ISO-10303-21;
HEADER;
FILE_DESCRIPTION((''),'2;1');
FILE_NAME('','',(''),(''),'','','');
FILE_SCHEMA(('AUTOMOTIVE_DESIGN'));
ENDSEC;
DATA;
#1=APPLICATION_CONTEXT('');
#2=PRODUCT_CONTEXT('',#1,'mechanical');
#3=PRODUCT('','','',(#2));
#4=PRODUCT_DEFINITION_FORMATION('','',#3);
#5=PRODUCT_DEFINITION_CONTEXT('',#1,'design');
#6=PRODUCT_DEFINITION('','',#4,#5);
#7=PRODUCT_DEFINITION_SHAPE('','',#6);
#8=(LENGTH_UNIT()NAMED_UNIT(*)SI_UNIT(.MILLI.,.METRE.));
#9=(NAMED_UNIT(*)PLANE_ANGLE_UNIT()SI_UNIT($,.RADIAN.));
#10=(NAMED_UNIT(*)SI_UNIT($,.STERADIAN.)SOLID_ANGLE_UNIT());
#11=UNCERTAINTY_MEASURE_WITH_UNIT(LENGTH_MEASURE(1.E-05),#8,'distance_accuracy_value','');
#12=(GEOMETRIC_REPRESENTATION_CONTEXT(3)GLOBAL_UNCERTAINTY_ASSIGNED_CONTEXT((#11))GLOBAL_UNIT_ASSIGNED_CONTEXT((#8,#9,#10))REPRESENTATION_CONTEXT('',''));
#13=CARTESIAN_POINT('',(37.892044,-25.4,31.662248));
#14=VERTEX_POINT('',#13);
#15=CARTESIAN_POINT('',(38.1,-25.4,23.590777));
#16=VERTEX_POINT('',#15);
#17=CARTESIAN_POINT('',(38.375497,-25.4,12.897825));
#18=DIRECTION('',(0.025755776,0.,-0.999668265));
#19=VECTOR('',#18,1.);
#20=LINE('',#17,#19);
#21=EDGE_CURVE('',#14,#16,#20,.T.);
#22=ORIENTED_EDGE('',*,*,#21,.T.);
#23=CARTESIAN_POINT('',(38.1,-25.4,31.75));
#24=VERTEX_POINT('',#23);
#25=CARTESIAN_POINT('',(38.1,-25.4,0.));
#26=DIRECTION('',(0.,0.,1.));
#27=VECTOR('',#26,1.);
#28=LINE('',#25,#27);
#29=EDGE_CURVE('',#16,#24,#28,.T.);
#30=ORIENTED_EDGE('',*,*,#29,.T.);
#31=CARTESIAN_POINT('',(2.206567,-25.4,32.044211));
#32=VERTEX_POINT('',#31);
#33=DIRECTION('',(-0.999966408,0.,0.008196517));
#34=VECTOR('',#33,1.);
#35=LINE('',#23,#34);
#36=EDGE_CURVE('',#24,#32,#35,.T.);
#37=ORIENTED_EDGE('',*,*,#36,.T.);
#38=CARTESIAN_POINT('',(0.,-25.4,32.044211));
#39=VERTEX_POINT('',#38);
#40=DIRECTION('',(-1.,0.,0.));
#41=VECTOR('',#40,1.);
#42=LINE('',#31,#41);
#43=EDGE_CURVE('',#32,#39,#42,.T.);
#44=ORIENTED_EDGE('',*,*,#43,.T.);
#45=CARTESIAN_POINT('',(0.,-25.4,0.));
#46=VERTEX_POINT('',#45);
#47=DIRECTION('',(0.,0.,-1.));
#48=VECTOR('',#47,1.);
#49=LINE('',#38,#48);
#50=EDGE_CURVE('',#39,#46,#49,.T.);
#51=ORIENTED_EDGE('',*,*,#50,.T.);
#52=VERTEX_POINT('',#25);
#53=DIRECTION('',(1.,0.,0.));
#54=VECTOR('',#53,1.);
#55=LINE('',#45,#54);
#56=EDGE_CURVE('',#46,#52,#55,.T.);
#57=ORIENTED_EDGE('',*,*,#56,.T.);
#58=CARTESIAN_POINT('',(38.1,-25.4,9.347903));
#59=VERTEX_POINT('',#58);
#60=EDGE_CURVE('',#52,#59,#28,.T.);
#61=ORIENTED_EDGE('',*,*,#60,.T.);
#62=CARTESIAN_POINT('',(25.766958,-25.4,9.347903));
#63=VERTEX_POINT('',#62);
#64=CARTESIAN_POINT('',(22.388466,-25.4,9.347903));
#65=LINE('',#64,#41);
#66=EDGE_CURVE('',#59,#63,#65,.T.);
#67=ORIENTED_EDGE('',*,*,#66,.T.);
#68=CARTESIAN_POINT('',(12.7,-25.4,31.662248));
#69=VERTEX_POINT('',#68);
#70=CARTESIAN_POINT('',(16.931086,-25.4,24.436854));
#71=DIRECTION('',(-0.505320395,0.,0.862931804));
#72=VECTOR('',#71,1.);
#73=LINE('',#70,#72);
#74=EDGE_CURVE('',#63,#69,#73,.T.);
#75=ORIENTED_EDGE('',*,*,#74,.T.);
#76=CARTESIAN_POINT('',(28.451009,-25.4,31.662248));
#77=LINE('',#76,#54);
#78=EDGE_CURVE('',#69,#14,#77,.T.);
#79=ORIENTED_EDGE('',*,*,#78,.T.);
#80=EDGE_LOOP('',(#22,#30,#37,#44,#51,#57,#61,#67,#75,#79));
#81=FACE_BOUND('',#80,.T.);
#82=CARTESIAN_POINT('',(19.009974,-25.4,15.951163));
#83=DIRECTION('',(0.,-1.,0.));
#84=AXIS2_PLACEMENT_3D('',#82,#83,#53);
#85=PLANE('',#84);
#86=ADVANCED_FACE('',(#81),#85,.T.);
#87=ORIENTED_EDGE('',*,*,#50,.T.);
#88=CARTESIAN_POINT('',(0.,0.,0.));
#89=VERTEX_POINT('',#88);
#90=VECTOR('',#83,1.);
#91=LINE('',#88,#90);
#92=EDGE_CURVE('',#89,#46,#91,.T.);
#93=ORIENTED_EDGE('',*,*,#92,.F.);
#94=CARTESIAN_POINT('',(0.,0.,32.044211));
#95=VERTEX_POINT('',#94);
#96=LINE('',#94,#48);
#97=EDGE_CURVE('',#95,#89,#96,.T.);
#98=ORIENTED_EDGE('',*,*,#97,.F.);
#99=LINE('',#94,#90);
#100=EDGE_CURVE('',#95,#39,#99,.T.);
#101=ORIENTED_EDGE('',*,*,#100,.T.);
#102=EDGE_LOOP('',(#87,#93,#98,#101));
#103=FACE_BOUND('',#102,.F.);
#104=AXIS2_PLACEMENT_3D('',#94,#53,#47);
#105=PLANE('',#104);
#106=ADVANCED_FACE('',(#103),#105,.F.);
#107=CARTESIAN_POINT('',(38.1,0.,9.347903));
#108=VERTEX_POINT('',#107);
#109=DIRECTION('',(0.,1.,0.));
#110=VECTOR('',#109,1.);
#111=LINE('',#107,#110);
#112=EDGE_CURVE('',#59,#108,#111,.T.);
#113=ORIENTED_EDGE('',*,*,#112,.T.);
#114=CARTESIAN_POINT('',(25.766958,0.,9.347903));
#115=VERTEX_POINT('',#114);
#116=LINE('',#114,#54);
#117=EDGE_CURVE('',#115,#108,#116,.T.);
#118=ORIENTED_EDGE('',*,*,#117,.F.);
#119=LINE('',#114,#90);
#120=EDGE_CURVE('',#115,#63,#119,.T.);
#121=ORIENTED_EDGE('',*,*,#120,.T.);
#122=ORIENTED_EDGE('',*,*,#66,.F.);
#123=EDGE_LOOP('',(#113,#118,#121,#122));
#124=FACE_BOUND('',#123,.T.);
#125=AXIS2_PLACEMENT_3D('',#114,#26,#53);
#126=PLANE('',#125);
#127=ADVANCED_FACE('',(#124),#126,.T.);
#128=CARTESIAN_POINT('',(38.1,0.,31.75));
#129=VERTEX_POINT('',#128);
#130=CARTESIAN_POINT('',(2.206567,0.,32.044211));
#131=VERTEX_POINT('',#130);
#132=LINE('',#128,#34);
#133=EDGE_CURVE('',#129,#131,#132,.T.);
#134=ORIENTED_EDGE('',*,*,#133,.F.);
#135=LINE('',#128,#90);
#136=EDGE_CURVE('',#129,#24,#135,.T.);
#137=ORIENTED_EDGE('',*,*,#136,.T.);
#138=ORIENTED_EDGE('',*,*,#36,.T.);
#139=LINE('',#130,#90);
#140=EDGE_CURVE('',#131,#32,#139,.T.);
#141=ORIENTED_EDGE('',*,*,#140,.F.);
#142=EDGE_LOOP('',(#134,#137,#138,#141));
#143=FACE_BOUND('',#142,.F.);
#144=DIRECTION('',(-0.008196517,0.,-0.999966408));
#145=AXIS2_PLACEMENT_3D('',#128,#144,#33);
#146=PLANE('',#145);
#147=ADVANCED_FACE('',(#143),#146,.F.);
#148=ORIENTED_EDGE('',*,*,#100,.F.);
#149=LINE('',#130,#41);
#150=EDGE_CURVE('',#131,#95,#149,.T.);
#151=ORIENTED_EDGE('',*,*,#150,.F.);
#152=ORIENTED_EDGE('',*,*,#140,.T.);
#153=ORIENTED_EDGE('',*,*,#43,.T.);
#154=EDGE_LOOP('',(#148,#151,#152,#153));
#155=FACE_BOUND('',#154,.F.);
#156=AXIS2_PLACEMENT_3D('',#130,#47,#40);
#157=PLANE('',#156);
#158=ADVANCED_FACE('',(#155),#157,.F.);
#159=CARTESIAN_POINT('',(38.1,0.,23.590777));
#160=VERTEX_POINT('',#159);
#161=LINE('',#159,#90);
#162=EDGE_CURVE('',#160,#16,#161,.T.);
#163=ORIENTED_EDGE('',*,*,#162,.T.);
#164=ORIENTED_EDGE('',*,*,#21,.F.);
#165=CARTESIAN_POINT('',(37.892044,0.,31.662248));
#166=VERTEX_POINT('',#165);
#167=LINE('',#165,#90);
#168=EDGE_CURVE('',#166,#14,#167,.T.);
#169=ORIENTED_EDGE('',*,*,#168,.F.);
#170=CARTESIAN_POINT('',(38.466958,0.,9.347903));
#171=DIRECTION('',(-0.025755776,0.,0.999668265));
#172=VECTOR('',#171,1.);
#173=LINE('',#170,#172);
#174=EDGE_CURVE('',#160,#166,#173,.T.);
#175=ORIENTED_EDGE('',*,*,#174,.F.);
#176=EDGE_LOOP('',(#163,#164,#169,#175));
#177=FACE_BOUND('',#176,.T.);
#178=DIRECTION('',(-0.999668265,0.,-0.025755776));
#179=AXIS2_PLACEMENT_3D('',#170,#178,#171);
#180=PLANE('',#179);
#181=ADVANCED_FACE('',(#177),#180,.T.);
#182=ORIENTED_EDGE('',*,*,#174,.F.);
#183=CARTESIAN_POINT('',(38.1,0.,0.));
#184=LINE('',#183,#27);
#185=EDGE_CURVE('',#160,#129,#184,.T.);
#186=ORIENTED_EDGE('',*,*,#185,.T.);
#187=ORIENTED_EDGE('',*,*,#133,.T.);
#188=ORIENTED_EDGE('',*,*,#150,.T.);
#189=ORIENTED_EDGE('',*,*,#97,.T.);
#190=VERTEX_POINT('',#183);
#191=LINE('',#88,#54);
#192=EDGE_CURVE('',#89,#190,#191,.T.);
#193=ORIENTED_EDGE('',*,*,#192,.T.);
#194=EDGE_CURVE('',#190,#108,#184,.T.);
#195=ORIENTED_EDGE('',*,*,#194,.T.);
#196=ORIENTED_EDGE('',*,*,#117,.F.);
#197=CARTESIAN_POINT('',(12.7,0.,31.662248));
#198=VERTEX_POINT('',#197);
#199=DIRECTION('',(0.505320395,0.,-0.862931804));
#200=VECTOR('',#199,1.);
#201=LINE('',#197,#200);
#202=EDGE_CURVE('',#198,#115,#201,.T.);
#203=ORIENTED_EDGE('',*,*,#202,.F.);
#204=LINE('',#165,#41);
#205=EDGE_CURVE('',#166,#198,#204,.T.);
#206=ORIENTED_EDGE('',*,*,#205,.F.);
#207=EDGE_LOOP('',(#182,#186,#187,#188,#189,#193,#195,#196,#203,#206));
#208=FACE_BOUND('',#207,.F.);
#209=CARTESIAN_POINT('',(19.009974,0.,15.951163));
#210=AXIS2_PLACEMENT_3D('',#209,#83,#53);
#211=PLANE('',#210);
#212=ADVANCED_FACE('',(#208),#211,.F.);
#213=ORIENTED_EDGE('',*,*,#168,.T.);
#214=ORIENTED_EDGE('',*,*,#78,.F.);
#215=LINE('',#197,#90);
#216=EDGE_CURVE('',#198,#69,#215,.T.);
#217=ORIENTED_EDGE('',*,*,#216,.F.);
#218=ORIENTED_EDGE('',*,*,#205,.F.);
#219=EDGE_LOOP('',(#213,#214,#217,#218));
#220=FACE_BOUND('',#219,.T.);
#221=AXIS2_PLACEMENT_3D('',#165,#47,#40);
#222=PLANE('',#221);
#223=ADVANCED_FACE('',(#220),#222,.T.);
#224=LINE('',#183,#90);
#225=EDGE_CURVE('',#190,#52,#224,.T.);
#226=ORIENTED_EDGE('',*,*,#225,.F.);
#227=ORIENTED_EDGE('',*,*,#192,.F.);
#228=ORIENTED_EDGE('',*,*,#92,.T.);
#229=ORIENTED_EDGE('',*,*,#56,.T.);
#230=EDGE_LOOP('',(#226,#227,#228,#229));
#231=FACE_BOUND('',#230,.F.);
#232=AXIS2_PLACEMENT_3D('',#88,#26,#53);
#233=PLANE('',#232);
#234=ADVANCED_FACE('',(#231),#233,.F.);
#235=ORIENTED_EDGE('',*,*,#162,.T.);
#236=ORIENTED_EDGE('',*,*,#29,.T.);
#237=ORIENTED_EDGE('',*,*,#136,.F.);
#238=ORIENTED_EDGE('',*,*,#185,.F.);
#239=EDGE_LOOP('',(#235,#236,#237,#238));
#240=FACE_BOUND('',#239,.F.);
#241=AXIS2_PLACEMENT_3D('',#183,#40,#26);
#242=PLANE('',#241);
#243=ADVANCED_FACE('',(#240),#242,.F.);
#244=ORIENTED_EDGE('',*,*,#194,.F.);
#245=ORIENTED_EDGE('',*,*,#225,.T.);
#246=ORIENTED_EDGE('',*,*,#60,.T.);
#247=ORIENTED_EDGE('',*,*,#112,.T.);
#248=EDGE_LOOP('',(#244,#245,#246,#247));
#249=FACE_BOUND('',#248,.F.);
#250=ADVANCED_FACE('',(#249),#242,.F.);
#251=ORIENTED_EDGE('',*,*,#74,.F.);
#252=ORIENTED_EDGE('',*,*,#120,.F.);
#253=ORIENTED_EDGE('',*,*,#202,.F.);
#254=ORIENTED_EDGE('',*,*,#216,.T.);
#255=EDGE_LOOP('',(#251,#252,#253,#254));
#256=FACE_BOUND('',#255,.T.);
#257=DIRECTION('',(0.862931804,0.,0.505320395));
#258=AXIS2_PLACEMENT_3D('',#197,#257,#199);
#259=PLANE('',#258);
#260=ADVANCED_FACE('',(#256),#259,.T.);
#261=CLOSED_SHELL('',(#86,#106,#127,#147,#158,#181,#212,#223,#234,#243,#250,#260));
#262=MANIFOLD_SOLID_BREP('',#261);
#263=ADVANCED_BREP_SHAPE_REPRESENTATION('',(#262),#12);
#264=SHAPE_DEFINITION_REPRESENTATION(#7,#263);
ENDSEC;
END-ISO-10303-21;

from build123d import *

# Parameters (mm, degrees)
F1_DEPTH = 25.4
F3_DEPTH = 25.401


with BuildPart() as f1:
    # F0 (on Front) → F1 (new body)
    with BuildSketch(Plane.XZ):
        Polygon((2.206567, 32.044211), (0, 32.044211), (0, 0), (38.1, 0), (38.1, 31.75), align=None)
    extrude(amount=F1_DEPTH)

    # F2 (on Front) → F3 (cut, through all)
    with BuildSketch(Plane.XZ):
        Polygon((25.766958, 9.347903), (38.466958, 9.347903), (37.892044, 31.662248), (12.7, 31.662248), align=None)
    extrude(amount=F3_DEPTH, mode=Mode.SUBTRACT)


solid = f1.part
